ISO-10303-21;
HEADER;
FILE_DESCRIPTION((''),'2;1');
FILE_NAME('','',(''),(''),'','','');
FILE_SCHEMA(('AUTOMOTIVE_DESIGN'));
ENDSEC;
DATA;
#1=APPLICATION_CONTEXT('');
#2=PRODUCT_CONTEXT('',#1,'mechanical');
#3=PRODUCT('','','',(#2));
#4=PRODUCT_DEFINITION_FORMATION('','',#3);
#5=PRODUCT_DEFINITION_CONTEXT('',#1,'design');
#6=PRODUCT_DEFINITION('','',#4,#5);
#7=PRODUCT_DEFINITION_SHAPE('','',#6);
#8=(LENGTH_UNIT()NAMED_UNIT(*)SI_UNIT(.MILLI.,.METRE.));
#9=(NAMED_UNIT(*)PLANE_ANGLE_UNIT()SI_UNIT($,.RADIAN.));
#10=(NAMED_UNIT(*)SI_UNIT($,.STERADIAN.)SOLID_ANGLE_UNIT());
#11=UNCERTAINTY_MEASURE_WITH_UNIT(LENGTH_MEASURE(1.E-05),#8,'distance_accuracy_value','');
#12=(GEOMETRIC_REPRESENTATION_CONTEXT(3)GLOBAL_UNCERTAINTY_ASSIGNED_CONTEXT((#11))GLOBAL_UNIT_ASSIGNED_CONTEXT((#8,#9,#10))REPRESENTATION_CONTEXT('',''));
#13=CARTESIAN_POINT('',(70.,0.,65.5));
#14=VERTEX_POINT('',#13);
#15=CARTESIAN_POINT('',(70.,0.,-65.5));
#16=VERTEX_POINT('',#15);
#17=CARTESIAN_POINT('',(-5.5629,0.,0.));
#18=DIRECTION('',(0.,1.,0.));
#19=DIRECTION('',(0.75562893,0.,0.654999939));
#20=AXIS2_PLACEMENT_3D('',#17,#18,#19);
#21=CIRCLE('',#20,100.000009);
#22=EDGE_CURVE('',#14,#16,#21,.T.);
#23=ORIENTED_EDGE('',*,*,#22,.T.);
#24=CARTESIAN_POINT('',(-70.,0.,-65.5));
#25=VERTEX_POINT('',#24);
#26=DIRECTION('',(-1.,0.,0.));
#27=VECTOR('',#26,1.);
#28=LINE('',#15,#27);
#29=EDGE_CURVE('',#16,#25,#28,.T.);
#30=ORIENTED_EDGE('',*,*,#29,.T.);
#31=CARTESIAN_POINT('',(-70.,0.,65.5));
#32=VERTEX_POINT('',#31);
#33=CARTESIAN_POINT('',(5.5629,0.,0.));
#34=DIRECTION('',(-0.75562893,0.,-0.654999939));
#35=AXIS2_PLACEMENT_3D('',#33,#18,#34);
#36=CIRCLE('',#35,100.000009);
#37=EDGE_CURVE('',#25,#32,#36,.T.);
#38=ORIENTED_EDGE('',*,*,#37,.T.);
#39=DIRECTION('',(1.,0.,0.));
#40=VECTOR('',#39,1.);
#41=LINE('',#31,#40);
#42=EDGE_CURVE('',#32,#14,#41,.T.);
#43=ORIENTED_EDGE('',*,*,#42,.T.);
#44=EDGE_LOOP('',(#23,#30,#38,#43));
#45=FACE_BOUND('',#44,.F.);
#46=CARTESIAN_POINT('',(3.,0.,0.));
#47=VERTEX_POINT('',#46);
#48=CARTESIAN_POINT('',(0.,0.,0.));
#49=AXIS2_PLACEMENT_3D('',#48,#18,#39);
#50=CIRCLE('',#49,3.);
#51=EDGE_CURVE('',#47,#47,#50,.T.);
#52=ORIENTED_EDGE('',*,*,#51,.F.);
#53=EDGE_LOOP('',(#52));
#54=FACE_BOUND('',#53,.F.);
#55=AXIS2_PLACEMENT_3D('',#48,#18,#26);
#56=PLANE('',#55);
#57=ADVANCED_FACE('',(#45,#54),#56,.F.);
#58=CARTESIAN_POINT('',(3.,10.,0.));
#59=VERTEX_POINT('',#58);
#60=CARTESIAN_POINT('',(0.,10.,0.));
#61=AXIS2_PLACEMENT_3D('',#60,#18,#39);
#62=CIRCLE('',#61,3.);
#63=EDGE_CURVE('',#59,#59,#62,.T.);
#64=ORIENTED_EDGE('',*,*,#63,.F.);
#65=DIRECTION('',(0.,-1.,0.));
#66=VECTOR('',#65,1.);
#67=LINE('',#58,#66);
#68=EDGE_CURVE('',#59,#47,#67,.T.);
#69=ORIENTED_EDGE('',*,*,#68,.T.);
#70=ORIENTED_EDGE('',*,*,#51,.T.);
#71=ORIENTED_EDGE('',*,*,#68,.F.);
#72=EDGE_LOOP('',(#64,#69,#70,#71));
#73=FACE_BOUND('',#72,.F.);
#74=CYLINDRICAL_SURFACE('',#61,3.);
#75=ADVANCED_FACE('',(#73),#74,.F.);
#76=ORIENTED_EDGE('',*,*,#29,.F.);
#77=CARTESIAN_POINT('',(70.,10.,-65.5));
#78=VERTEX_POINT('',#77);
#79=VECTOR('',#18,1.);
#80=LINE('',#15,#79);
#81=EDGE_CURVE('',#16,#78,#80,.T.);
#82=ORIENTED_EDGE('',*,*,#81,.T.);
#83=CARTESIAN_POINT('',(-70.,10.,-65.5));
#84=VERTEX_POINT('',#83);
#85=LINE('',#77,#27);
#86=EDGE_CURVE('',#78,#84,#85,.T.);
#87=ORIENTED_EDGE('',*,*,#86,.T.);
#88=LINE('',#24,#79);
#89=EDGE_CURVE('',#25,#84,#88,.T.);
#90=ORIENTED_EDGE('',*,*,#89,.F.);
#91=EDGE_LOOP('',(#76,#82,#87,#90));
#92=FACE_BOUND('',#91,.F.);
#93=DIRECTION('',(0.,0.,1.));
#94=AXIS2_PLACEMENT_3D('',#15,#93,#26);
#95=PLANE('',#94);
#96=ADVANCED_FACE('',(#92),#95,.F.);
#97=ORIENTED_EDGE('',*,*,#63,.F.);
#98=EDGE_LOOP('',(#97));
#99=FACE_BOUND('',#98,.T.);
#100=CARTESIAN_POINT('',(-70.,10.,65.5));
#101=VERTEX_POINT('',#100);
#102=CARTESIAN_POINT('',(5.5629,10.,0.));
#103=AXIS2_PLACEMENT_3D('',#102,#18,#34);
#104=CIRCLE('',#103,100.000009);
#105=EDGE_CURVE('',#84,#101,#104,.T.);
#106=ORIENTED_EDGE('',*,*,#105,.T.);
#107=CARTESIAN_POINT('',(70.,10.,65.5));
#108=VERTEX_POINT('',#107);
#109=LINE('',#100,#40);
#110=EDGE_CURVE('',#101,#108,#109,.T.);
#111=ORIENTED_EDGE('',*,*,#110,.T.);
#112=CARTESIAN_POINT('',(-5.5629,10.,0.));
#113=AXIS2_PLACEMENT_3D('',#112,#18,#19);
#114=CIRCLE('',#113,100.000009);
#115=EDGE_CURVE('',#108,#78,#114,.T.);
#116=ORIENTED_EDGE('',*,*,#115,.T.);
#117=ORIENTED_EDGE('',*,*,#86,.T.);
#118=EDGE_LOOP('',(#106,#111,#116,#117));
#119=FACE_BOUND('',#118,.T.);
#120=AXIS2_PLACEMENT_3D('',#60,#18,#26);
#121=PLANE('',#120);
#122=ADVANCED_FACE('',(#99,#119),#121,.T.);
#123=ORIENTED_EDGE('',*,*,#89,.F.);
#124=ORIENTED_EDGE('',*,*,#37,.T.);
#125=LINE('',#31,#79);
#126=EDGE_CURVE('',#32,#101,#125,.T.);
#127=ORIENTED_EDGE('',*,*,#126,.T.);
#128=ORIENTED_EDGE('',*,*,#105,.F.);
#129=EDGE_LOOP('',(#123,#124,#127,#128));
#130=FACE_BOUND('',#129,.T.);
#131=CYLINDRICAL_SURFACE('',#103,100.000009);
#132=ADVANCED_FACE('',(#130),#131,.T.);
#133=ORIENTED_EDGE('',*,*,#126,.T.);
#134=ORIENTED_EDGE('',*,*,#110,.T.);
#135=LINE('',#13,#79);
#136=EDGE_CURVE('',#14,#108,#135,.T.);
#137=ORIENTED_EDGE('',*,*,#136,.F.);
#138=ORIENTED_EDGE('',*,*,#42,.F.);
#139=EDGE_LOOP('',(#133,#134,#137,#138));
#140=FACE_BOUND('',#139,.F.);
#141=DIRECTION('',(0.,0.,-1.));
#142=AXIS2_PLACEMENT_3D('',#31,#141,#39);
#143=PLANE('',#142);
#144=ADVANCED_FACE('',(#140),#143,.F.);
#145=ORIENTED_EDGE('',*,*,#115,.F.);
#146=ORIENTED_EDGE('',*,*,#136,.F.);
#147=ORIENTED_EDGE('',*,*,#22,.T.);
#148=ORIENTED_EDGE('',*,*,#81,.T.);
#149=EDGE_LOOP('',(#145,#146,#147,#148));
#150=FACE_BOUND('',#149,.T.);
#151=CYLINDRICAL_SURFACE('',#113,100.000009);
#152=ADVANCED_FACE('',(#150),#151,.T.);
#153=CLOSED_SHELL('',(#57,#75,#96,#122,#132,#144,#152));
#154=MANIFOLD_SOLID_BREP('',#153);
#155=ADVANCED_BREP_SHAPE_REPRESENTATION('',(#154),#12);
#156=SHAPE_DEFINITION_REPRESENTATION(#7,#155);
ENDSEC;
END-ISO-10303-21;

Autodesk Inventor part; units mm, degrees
ref_plane "YZ Plane" through (0, 0, 0) normal (1, 0, 0) x (0, 1, 0)
ref_plane "XZ Plane" through (0, 0, 0) normal (0, 1, 0) x (-1, 0, 0)
ref_plane "XY Plane" through (0, 0, 0) normal (0, 0, 1) x (1, 0, 0)
sketch "Sketch1" plane through (0, 0, 0) normal (0, 1, 0) x (-1, 0, 0)
  line L0 (70, 65.5) -> (-70, 65.5)
  line L1 (-70, 65.5) -> (-70, -65.5)
  line L2 (-70, -65.5) -> (70, -65.5)
  line L3 (70, -65.5) -> (70, 65.5)
  line L4 (70, 65.5) -> (-70, -65.5) construction
  line L5 (-70, 65.5) -> (70, -65.5) construction
  circle A0 centre (0, 0) radius 7.5
  dimension "d0" = 140
  dimension "d1" = 131
  dimension "d2" = 15
extrude "Extrusion1" add sketch "Sketch1" along normal blind 10
sketch "Sketch2" plane through (0, 10, 0) normal (0, 1, 0) x (1, 0, 0)
  circle A0 centre (0, 0) radius 7.5 projected
  circle A1 centre (0, 0) radius 3
  dimension "d5" = 6
extrude "Extrusion2" add sketch "Sketch2" against normal blind 10
sketch "Sketch3" plane through (0, 10, 0) normal (0, 1, 0) x (1, 0, 0)
  line L0 (70, -65.5) -> (70, 65.5) projected
  line L1 (-70, 65.5) -> (-70, -65.5) projected
  arc A0 (70, -65.5) -> (70, 65.5) centre (-5.5629, 0) ccw
  arc A1 (-70, 65.5) -> (-70, -65.5) centre (5.5629, 0) ccw
  dimension "d10" = 100
  dimension "d11" = 100
extrude "Extrusion3" add sketch "Sketch3" against normal blind 10
properties part number "deska_pod_rameno"
